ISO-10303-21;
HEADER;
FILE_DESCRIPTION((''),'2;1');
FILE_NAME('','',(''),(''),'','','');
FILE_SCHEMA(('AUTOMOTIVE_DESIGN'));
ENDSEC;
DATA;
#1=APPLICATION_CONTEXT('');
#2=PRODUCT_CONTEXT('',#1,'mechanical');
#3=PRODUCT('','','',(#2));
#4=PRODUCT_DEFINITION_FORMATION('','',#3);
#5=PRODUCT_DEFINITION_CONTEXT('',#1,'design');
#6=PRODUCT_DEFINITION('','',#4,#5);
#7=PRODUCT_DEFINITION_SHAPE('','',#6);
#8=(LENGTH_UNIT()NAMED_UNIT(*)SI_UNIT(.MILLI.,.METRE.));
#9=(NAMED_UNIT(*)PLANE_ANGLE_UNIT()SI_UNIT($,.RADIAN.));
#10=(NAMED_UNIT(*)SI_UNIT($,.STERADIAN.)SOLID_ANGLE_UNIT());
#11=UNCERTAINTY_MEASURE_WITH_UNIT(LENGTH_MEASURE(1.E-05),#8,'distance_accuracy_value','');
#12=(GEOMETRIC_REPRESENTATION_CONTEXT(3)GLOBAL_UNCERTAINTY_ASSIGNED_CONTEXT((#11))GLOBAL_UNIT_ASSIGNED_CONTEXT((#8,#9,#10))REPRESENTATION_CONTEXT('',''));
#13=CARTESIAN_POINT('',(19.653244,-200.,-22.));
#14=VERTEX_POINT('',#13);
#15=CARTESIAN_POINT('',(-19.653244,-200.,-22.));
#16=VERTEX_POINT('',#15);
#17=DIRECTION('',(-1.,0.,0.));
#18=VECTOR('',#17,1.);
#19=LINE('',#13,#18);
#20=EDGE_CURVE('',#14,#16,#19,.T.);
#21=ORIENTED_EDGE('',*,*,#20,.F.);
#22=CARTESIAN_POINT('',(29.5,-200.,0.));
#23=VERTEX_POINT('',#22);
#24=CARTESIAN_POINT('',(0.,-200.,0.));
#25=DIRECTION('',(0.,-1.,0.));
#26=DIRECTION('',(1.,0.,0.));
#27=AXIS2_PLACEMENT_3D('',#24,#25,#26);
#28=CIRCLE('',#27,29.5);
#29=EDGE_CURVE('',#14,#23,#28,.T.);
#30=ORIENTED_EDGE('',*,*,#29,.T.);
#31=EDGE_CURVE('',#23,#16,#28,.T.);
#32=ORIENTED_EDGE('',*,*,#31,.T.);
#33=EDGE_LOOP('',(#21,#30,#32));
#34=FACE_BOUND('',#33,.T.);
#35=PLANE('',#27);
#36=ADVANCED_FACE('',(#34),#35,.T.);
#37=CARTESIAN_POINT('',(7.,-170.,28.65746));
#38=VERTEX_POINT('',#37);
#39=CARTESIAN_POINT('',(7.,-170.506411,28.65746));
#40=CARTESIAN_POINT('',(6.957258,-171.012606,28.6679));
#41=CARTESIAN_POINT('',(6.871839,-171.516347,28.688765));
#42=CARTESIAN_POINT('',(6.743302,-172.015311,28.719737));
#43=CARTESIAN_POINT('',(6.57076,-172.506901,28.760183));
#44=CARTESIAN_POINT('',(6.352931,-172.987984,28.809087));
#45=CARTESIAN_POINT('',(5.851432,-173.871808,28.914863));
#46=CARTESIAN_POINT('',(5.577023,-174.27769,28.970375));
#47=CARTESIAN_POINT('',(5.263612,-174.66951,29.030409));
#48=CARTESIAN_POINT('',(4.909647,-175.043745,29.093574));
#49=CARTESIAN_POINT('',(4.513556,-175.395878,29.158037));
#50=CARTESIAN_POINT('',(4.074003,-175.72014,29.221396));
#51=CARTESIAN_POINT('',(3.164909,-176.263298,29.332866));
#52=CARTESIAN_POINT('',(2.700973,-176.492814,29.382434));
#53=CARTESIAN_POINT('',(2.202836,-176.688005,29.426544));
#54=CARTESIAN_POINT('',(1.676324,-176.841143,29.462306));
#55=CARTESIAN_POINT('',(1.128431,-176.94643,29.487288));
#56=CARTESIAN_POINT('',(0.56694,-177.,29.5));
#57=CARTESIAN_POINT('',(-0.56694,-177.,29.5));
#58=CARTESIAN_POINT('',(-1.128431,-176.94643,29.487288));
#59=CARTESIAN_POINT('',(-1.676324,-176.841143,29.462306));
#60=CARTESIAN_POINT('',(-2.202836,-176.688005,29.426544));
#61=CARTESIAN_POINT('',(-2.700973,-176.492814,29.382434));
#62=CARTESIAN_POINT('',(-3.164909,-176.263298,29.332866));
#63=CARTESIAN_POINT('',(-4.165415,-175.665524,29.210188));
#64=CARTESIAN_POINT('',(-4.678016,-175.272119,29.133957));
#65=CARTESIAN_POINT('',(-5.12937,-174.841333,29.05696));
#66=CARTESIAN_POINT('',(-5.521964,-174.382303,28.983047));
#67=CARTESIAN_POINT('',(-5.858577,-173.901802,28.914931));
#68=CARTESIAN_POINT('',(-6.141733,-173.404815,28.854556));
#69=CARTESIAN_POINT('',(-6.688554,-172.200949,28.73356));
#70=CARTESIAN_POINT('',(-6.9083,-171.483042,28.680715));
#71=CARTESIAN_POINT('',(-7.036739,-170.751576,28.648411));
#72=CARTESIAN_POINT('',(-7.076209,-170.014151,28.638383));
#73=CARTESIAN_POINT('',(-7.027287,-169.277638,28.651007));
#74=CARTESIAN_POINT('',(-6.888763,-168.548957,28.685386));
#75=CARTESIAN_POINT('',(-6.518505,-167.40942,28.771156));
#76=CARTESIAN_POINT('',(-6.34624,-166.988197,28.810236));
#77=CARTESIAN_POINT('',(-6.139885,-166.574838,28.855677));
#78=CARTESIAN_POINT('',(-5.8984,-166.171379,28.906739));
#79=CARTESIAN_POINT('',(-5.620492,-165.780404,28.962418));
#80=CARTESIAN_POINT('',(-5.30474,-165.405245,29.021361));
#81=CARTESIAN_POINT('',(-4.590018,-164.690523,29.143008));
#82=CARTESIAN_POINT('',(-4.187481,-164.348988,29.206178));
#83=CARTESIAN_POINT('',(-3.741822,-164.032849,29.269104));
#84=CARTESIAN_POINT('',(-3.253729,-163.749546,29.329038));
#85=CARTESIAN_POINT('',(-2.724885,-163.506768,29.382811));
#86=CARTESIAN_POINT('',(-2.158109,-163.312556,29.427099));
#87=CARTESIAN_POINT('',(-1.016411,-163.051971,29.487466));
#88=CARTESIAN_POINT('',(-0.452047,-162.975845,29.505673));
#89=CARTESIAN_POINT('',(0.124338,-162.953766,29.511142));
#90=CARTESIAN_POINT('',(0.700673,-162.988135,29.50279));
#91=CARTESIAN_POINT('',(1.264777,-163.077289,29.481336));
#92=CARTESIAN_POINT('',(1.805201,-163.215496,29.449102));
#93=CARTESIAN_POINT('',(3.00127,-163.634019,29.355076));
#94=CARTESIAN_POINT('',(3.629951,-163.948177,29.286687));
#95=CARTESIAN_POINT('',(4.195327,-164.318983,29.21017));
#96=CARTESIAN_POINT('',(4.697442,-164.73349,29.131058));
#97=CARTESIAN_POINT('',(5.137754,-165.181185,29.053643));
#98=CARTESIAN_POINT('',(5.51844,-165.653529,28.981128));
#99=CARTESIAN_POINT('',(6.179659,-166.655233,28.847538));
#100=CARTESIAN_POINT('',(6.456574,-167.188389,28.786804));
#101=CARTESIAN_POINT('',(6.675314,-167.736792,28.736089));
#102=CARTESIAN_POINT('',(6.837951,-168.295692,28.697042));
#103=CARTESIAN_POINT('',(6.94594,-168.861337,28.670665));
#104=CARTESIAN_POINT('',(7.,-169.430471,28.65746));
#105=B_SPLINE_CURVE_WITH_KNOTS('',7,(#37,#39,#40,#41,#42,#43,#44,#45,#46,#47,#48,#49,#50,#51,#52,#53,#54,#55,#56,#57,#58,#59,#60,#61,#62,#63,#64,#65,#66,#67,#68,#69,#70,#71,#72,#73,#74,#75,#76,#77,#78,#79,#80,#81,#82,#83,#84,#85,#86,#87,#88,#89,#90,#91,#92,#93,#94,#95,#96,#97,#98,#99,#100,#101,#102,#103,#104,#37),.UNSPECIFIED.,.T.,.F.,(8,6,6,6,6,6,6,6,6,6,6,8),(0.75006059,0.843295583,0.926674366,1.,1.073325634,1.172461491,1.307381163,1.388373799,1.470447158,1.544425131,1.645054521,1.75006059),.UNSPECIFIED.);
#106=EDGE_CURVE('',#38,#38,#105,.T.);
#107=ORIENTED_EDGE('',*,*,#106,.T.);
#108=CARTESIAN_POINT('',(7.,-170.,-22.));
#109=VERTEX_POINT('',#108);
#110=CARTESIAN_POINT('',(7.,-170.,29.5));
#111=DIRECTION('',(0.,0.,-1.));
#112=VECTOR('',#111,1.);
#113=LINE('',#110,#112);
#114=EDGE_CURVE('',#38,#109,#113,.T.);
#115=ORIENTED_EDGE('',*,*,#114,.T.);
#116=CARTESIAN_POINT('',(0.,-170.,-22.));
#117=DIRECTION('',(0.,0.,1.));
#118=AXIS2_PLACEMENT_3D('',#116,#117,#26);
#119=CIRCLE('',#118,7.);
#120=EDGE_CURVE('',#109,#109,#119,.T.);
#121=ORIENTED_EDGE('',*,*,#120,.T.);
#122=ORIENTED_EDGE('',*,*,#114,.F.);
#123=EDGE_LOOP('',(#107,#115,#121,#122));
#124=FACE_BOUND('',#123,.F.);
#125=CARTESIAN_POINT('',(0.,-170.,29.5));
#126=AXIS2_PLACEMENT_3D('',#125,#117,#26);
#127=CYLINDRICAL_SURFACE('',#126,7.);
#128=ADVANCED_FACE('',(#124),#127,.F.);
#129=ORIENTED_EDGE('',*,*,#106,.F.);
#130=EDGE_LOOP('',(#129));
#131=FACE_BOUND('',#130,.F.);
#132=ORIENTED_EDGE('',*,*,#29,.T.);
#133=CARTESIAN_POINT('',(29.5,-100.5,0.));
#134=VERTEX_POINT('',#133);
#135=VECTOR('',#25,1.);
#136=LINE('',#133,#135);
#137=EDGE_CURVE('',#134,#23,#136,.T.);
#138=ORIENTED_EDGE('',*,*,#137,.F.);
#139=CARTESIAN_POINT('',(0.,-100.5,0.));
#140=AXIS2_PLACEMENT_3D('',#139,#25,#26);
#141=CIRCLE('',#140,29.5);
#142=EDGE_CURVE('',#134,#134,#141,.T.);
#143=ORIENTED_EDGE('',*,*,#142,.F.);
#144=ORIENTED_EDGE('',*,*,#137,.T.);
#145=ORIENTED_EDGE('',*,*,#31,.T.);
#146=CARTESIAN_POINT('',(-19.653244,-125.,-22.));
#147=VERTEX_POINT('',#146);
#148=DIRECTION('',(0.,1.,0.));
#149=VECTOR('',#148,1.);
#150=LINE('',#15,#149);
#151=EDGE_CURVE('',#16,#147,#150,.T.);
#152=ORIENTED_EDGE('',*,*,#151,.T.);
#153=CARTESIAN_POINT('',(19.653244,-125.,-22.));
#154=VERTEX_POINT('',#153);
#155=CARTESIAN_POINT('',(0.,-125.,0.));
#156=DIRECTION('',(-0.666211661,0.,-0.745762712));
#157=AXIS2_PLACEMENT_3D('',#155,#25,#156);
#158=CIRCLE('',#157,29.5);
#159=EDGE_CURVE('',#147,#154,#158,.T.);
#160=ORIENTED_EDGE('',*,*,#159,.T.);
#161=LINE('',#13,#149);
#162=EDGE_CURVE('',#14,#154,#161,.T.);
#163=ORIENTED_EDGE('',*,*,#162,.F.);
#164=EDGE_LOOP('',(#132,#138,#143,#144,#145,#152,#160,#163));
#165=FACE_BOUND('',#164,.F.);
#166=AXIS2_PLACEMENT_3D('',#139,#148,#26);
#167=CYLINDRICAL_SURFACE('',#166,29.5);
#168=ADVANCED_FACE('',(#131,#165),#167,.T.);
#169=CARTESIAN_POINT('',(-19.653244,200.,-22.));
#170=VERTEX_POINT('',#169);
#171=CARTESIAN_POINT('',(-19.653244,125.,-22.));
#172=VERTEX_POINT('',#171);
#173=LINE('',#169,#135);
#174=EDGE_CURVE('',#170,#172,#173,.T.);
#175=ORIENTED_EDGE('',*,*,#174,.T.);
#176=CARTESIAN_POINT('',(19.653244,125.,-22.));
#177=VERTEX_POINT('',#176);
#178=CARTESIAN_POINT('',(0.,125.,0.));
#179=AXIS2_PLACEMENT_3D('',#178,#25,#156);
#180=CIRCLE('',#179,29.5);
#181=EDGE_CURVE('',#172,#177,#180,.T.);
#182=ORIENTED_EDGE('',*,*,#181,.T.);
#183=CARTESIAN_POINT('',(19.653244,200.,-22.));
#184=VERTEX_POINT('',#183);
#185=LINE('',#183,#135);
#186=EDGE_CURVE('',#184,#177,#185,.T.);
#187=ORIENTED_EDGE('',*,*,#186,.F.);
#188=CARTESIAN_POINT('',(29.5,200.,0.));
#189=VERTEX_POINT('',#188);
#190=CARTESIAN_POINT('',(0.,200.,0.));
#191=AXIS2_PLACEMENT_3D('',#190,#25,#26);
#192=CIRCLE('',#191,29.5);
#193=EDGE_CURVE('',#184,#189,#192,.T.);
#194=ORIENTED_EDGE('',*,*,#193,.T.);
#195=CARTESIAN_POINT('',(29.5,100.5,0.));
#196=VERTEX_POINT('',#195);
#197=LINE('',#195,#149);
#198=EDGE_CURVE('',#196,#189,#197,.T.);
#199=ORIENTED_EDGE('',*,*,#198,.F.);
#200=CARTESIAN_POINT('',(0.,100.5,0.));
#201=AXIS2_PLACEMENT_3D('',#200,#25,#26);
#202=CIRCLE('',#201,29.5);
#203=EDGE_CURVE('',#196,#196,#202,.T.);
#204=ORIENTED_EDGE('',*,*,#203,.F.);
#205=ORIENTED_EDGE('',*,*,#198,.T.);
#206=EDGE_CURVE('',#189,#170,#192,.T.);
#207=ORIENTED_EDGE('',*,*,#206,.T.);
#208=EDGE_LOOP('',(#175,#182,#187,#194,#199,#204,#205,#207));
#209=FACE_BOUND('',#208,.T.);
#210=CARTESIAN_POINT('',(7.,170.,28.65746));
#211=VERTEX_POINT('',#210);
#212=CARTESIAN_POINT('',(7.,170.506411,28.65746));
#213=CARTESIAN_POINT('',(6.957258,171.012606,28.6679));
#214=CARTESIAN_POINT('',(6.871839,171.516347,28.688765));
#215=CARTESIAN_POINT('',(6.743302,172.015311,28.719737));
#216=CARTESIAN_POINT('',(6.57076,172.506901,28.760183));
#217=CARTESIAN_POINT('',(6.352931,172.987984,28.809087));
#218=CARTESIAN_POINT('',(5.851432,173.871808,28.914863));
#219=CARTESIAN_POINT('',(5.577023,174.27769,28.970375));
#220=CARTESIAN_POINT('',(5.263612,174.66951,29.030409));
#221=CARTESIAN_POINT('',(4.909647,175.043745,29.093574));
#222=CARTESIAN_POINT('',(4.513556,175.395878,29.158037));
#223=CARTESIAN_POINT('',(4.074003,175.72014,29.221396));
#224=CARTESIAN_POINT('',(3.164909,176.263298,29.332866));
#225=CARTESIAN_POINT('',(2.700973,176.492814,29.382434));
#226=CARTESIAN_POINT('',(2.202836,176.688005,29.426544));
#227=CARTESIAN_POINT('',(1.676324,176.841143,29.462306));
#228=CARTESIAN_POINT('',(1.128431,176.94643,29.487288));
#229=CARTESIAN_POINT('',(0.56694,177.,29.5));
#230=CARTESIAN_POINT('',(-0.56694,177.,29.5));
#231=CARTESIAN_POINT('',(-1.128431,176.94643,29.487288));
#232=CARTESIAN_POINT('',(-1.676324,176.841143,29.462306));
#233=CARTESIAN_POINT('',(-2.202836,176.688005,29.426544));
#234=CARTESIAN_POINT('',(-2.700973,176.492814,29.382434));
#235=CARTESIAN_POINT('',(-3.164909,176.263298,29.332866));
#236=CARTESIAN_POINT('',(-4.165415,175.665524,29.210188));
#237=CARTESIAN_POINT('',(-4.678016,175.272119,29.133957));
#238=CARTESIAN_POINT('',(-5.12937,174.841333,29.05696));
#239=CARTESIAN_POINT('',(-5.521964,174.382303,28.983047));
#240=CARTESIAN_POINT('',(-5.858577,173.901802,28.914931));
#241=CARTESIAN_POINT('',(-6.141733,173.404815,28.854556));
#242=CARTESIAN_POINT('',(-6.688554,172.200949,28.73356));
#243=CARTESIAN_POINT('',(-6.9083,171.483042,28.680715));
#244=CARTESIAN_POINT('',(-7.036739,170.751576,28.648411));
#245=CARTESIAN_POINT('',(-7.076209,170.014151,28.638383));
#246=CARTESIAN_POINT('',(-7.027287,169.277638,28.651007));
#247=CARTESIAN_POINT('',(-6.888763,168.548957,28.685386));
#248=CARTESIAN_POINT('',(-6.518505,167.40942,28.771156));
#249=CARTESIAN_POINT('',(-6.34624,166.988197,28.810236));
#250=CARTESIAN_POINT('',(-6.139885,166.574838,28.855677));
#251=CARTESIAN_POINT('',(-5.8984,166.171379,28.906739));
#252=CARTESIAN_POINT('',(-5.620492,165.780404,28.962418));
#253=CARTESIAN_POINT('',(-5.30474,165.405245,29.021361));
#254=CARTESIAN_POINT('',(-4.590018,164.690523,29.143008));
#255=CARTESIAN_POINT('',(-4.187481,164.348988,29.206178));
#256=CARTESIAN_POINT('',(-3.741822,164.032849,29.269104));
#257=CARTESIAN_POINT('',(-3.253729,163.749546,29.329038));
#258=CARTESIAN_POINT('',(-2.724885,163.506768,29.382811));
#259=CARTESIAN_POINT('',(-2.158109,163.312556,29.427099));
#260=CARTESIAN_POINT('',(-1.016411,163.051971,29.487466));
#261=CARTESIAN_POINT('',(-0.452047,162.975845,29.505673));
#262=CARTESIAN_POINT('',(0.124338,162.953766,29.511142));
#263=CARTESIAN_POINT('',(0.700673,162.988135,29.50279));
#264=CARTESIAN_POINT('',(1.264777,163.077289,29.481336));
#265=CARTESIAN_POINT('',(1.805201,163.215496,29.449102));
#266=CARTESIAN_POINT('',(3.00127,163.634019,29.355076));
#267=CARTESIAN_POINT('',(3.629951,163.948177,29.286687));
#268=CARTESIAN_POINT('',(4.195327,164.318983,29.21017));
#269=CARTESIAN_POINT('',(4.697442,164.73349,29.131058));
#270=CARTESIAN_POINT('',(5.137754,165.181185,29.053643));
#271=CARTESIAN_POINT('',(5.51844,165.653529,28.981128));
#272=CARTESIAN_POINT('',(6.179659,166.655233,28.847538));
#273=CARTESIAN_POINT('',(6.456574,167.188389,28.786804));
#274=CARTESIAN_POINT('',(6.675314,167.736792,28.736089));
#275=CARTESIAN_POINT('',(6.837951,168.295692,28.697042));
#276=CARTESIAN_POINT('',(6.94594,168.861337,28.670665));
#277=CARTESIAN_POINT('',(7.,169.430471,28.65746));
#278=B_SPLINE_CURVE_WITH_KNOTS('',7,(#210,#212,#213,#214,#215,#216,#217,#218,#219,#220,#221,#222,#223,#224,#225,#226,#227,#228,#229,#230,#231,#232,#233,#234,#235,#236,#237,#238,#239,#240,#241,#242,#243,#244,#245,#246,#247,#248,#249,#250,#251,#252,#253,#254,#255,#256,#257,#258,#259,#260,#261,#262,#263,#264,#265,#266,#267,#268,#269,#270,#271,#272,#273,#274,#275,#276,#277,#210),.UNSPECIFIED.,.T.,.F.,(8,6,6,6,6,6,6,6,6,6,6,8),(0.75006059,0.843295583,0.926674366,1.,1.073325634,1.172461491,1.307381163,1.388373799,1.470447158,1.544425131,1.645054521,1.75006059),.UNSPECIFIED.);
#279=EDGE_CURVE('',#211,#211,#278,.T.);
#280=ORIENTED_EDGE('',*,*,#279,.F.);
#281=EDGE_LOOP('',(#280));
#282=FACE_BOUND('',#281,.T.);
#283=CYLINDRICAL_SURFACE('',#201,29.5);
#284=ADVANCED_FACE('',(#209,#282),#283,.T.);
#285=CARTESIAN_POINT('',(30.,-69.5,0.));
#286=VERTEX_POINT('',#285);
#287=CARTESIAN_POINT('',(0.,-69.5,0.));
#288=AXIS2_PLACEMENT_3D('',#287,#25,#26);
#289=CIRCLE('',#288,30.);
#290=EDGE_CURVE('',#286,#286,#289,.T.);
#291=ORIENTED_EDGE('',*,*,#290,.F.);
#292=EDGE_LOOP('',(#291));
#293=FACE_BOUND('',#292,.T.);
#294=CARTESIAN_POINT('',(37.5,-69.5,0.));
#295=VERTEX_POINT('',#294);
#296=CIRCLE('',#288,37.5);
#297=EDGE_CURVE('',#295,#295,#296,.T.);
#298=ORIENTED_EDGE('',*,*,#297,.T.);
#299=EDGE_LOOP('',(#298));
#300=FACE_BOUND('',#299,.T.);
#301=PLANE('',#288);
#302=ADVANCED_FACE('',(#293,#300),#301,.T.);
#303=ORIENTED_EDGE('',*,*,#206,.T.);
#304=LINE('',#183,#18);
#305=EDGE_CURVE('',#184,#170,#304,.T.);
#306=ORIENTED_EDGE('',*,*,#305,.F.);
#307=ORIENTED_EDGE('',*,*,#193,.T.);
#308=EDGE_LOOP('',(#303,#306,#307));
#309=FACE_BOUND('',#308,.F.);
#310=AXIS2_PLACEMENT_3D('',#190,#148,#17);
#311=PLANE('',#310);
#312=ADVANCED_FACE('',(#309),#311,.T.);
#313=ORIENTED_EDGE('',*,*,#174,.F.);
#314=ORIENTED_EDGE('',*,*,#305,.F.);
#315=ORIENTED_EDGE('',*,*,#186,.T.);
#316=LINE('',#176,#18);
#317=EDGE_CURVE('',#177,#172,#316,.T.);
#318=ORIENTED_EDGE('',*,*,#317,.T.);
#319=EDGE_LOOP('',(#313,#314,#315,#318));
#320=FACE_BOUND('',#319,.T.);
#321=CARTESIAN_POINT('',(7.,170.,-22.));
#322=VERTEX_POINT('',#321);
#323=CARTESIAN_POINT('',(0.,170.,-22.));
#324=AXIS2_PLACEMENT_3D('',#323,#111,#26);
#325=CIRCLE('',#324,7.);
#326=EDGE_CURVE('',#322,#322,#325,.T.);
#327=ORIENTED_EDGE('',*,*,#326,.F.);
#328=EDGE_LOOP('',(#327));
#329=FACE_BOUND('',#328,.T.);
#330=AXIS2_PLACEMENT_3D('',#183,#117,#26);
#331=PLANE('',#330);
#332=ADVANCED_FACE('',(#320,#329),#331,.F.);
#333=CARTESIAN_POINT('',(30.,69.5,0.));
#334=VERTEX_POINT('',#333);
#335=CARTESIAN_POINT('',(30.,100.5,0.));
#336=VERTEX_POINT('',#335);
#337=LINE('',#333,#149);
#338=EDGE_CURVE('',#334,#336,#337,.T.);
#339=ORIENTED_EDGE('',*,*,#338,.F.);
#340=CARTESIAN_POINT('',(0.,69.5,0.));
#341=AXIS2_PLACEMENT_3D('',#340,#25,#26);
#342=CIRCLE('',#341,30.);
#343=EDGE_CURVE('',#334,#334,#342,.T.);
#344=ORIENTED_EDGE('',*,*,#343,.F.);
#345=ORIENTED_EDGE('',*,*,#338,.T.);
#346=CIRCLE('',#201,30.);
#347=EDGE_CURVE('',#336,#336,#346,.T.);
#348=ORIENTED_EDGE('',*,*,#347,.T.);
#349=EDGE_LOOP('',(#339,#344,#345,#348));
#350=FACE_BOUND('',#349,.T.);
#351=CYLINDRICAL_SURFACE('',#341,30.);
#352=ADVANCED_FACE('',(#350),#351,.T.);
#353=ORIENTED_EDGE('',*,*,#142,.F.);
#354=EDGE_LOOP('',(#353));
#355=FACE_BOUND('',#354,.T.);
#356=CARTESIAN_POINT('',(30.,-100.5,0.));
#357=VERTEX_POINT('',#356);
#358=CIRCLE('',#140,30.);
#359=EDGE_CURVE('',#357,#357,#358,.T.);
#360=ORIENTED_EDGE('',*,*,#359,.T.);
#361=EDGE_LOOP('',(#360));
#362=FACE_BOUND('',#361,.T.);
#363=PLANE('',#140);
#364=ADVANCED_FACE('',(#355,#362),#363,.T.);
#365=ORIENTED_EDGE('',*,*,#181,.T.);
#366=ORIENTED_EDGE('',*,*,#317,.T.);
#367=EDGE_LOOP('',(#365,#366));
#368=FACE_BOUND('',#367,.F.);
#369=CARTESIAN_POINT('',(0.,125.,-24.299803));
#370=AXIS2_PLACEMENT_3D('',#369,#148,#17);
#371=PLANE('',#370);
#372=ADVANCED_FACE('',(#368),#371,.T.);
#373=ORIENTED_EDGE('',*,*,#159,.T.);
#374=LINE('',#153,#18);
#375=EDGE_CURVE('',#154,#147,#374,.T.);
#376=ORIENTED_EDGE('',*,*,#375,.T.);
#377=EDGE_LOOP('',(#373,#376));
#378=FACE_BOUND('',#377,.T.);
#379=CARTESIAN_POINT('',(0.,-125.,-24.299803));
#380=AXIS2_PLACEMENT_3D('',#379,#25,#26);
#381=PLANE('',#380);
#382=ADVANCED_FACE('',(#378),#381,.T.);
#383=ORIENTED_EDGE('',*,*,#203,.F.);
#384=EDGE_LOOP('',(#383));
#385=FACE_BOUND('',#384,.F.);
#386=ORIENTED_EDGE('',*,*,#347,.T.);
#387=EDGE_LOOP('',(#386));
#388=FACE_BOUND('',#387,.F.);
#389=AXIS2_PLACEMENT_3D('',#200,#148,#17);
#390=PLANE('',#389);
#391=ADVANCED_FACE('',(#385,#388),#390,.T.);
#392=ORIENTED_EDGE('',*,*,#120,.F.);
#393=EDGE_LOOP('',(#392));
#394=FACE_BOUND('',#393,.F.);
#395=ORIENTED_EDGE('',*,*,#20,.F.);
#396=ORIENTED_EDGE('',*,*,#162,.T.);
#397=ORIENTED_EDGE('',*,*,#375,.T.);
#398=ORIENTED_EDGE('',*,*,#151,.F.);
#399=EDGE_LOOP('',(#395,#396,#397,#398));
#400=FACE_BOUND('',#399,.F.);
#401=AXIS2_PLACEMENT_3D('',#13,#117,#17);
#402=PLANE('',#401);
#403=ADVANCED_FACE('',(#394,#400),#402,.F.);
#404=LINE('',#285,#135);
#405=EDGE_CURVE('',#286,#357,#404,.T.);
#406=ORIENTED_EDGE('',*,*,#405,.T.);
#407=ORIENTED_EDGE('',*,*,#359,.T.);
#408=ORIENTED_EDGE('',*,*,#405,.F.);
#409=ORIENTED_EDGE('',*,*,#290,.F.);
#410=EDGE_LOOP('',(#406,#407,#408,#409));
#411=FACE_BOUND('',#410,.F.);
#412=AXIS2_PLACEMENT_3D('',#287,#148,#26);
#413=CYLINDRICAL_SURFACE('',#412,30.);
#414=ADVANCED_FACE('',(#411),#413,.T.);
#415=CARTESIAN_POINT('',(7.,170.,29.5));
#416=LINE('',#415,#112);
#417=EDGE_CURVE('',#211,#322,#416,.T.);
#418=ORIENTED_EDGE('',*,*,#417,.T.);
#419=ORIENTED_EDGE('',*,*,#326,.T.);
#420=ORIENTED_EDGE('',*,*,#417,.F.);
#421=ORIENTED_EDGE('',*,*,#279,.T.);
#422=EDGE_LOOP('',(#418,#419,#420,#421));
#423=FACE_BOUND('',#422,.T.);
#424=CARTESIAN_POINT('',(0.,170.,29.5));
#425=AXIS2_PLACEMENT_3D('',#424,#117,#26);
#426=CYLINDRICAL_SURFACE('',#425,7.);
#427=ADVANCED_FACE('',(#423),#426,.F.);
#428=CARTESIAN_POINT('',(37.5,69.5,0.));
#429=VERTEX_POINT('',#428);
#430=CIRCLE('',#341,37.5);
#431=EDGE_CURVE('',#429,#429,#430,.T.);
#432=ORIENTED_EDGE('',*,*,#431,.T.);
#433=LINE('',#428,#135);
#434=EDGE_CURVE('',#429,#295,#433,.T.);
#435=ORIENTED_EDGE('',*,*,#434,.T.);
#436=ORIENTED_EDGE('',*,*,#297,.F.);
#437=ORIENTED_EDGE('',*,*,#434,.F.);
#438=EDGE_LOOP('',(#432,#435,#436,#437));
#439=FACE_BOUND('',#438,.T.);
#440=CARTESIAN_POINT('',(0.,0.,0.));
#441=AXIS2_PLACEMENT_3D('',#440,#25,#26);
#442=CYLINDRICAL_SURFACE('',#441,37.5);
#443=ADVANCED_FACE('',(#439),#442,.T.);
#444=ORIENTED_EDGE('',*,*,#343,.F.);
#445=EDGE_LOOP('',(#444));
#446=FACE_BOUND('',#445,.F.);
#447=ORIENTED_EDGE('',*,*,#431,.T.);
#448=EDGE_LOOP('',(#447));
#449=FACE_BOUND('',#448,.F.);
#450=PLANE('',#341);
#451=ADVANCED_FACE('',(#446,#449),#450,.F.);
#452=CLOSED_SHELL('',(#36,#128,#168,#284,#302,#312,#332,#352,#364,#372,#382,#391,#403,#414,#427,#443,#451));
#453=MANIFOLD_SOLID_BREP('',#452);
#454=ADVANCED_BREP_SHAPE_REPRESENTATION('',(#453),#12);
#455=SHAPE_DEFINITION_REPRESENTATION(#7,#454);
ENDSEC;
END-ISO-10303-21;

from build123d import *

# Parameters (mm, degrees)
F0_R      = 37.5
F1_DEPTH  = 69.5
F2_R      = 30
F3_DEPTH  = 31
F4_R      = 29.5
F5_DEPTH  = 99.5
F7_DEPTH  = 75
F10_R     = 7
F11_DEPTH = 67.001


with BuildPart() as f1:
    # F0 (on Front) → F1 (new body, symmetric)
    with BuildSketch(Plane.XZ):
        Circle(F0_R)
    extrude(amount=F1_DEPTH, both=True)

    # F2 (on face) → F3 (join)
    with BuildSketch(Plane.XZ.offset(69.5)):
        Circle(F2_R)
    extrude(amount=F3_DEPTH)

    # F4 (on face) → F5 (join)
    with BuildSketch(Plane.XZ.offset(100.5)):
        Circle(F4_R)
    extrude(amount=F5_DEPTH)

    # F6 (on face) → F7 (cut)
    with BuildSketch(Plane.XZ.offset(200)):
        with BuildLine():
            Line((19.653244007, -22), (-19.653244007, -22))
            ThreePointArc((-19.653244007, -22), (0, -29.5), (19.653244007, -22))
        make_face()
    extrude(amount=-F7_DEPTH, mode=Mode.SUBTRACT)

    # F10 (on plane+point) → F11 (cut, through all)
    with BuildSketch(Plane.XY.offset(29.5)):
        with Locations((0, -170)):
            Circle(F10_R)
    extrude(amount=-F11_DEPTH, mode=Mode.SUBTRACT)

    # F12: F1 across plane


with BuildPart() as f1_1:
    add(f1.part)
    add(f1.part.mirror(Plane.XZ))


solid = f1_1.part
